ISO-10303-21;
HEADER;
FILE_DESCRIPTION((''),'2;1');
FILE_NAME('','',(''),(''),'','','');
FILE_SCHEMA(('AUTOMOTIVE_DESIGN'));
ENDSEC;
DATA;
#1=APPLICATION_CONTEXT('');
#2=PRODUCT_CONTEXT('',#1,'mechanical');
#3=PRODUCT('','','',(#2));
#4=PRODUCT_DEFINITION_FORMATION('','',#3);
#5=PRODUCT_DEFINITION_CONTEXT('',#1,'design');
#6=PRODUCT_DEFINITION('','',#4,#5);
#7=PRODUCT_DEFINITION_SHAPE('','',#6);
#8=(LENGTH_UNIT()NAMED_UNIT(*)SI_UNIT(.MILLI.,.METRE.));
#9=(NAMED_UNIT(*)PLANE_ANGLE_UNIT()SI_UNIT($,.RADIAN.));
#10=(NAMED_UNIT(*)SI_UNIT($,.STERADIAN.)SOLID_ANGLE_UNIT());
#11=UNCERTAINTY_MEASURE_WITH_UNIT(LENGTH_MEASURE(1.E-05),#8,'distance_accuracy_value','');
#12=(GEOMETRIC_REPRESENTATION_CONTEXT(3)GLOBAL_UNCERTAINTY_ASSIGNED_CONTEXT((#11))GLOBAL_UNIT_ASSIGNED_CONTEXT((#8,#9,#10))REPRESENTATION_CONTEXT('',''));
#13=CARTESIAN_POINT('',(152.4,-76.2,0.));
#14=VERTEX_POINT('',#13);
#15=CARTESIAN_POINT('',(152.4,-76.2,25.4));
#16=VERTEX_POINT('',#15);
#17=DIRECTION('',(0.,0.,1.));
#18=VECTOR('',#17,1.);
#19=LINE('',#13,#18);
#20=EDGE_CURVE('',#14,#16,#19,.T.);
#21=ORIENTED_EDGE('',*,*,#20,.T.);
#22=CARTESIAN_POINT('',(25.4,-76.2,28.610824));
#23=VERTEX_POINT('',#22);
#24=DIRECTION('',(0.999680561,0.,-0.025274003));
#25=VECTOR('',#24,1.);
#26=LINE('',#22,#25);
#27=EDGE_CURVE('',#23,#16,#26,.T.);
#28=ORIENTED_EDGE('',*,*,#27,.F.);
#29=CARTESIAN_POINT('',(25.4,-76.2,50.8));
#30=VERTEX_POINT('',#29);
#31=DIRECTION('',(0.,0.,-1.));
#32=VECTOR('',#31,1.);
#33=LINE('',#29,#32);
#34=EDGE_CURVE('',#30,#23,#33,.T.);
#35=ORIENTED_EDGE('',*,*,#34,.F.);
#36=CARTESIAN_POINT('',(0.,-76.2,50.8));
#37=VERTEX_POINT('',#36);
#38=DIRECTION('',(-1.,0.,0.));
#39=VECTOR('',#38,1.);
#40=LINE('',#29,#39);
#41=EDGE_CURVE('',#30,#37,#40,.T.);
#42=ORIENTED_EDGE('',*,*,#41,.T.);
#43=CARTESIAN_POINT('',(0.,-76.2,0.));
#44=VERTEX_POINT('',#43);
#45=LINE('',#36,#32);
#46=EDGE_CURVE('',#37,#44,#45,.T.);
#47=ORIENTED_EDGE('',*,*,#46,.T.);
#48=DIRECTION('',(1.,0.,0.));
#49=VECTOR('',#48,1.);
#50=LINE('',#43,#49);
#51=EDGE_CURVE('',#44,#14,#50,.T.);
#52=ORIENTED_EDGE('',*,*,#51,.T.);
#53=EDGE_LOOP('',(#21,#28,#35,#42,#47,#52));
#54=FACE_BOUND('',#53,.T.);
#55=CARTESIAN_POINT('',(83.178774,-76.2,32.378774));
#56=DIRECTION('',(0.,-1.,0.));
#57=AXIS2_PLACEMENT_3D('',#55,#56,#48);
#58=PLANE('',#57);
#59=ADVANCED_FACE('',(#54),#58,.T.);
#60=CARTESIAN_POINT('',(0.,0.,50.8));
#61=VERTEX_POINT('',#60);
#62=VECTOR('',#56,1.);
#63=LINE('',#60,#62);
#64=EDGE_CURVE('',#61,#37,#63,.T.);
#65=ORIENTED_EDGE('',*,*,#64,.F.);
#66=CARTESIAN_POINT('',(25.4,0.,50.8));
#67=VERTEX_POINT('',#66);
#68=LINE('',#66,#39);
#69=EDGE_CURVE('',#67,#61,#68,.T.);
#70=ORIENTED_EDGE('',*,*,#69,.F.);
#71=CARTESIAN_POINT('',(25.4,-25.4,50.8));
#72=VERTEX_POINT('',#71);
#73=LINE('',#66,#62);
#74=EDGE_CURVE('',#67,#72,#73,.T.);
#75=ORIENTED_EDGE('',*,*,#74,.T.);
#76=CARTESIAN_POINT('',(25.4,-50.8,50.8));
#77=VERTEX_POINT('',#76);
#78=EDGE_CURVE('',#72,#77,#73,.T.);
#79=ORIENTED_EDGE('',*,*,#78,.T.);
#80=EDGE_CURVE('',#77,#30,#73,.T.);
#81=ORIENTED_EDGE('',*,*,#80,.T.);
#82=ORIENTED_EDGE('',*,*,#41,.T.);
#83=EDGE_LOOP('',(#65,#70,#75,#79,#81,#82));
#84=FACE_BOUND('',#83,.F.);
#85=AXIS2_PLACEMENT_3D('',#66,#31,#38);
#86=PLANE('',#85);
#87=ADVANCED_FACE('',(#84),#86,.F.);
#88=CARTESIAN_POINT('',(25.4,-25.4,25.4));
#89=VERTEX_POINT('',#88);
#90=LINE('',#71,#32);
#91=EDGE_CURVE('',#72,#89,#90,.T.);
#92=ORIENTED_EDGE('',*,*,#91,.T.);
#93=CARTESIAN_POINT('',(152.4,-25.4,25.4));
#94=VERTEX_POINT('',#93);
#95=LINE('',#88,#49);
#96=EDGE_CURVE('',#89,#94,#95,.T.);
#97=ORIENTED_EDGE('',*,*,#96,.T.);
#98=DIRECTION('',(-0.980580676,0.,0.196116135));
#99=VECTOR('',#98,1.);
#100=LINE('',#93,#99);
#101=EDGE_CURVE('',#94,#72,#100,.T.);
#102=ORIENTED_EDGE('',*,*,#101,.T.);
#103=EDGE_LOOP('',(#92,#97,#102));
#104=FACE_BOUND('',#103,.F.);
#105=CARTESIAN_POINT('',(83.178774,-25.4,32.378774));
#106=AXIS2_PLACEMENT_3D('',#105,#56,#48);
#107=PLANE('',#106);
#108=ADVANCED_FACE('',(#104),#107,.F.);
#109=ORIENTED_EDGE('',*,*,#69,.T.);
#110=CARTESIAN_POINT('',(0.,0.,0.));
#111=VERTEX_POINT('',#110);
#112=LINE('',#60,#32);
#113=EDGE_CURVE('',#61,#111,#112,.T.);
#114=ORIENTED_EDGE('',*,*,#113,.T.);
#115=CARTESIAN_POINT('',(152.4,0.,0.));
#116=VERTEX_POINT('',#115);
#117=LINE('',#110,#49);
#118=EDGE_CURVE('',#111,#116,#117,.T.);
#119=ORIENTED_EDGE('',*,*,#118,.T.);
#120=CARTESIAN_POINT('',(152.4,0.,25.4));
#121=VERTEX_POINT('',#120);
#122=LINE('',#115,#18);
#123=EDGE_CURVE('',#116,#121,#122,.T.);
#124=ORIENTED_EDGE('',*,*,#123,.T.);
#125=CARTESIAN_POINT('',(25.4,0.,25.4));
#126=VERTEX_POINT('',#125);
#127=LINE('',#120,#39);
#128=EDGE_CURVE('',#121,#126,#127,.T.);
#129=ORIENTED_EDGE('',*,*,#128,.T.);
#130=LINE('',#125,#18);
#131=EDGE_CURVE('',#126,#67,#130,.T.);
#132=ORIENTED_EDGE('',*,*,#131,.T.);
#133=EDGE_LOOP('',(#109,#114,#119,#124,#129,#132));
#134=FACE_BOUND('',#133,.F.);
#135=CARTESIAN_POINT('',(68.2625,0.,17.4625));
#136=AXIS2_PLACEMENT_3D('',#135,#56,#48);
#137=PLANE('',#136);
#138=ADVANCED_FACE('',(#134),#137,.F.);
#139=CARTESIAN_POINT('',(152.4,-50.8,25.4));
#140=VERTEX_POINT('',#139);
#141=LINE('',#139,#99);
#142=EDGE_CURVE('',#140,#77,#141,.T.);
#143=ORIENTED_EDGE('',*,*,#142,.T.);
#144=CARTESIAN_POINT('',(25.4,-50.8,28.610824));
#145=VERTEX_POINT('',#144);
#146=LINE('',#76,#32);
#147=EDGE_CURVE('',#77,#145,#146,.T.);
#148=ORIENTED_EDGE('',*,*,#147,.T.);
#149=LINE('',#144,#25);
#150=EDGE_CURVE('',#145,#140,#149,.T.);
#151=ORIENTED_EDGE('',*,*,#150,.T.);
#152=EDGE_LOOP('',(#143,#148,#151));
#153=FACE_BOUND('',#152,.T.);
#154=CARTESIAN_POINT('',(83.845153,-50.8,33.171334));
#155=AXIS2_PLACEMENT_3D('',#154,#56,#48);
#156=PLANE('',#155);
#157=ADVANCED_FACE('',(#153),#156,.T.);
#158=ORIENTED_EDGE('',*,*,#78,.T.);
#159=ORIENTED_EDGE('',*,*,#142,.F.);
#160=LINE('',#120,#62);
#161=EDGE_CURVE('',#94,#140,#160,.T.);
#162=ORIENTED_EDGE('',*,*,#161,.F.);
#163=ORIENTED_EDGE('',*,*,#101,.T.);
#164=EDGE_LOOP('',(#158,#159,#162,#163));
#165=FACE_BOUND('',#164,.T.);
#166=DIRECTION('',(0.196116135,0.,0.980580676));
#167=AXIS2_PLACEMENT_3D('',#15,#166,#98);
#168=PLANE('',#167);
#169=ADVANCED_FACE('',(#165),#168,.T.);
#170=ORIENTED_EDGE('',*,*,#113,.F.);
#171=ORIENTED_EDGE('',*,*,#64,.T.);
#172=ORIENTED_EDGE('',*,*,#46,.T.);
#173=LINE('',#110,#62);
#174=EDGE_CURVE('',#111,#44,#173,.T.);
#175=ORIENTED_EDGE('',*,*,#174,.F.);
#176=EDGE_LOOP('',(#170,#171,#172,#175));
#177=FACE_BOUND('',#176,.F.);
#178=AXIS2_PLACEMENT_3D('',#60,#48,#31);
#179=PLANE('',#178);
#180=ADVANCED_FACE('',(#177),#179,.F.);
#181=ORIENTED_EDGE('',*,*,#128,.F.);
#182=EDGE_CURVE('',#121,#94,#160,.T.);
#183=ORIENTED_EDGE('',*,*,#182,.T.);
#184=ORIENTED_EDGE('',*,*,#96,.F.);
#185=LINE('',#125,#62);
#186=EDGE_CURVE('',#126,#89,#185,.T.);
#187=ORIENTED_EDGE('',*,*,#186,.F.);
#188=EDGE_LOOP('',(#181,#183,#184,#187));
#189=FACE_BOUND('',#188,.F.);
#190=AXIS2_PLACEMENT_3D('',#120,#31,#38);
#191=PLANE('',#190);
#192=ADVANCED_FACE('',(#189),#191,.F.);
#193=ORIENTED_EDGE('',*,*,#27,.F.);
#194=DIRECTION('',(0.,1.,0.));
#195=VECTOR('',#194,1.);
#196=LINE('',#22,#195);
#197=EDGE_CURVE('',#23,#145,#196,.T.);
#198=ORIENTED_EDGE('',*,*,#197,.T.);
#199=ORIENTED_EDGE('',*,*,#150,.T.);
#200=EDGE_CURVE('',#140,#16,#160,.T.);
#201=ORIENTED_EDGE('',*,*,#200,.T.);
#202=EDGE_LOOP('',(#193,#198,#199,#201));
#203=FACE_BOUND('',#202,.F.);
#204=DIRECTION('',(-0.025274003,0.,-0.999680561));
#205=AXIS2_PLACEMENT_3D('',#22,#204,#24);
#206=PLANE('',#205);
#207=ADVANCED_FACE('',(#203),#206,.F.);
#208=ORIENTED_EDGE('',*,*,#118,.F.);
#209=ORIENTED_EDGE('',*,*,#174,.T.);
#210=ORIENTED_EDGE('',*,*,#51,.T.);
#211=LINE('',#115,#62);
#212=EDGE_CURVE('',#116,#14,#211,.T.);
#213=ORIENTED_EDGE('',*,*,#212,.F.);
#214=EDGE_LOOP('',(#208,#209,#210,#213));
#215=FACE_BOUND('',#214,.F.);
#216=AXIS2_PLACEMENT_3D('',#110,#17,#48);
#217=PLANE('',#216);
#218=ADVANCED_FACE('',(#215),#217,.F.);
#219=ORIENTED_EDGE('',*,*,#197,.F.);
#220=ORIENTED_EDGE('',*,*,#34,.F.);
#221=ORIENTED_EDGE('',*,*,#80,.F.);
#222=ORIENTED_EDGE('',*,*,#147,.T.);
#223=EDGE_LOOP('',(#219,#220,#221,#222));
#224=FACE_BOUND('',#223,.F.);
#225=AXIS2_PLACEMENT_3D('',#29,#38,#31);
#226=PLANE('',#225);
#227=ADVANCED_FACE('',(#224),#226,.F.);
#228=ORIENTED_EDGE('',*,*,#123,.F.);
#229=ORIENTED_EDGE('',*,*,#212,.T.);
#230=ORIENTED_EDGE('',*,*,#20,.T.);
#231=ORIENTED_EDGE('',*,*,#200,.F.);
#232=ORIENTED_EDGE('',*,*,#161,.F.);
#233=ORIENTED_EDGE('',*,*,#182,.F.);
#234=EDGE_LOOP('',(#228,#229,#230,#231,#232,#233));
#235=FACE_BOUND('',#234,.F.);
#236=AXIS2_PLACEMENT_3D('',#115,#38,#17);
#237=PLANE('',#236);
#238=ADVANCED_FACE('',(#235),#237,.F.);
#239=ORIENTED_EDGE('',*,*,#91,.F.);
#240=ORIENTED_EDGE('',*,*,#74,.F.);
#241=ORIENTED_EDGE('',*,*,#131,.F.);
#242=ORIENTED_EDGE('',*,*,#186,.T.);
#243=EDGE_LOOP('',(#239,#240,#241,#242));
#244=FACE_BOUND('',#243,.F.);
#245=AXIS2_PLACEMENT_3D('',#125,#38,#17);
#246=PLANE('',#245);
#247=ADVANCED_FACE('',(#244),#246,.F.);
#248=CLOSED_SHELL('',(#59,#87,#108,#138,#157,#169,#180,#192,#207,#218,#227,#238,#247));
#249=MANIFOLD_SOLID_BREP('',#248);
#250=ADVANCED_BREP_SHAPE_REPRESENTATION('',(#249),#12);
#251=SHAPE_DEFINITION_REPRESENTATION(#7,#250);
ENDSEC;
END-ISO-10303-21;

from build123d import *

# Parameters (mm, degrees)
F1_DEPTH = 76.2
F3_DEPTH = 50.8
F5_DEPTH = 25.4


with BuildPart() as f1:
    # F0 (on Front) → F1 (new body)
    with BuildSketch(Plane.XZ):
        Polygon((0, 50.8), (0, 0), (152.4, 0), (152.4, 25.4), (25.4, 25.4), (25.4, 50.8), align=None)
    extrude(amount=F1_DEPTH)

    # F2 (on face) → F3 (join)
    with BuildSketch(Plane.XZ.offset(76.2)):
        Polygon((152.4, 25.4), (25.4, 50.8), (25.4, 25.4), align=None)
    extrude(amount=-F3_DEPTH)

    # F4 (on face) → F5 (cut)
    with BuildSketch(Plane.XZ.offset(76.2)):
        Polygon((152.4, 25.4), (25.4, 50.8), (25.4, 28.610824), align=None)
    extrude(amount=-F5_DEPTH, mode=Mode.SUBTRACT)


solid = f1.part
